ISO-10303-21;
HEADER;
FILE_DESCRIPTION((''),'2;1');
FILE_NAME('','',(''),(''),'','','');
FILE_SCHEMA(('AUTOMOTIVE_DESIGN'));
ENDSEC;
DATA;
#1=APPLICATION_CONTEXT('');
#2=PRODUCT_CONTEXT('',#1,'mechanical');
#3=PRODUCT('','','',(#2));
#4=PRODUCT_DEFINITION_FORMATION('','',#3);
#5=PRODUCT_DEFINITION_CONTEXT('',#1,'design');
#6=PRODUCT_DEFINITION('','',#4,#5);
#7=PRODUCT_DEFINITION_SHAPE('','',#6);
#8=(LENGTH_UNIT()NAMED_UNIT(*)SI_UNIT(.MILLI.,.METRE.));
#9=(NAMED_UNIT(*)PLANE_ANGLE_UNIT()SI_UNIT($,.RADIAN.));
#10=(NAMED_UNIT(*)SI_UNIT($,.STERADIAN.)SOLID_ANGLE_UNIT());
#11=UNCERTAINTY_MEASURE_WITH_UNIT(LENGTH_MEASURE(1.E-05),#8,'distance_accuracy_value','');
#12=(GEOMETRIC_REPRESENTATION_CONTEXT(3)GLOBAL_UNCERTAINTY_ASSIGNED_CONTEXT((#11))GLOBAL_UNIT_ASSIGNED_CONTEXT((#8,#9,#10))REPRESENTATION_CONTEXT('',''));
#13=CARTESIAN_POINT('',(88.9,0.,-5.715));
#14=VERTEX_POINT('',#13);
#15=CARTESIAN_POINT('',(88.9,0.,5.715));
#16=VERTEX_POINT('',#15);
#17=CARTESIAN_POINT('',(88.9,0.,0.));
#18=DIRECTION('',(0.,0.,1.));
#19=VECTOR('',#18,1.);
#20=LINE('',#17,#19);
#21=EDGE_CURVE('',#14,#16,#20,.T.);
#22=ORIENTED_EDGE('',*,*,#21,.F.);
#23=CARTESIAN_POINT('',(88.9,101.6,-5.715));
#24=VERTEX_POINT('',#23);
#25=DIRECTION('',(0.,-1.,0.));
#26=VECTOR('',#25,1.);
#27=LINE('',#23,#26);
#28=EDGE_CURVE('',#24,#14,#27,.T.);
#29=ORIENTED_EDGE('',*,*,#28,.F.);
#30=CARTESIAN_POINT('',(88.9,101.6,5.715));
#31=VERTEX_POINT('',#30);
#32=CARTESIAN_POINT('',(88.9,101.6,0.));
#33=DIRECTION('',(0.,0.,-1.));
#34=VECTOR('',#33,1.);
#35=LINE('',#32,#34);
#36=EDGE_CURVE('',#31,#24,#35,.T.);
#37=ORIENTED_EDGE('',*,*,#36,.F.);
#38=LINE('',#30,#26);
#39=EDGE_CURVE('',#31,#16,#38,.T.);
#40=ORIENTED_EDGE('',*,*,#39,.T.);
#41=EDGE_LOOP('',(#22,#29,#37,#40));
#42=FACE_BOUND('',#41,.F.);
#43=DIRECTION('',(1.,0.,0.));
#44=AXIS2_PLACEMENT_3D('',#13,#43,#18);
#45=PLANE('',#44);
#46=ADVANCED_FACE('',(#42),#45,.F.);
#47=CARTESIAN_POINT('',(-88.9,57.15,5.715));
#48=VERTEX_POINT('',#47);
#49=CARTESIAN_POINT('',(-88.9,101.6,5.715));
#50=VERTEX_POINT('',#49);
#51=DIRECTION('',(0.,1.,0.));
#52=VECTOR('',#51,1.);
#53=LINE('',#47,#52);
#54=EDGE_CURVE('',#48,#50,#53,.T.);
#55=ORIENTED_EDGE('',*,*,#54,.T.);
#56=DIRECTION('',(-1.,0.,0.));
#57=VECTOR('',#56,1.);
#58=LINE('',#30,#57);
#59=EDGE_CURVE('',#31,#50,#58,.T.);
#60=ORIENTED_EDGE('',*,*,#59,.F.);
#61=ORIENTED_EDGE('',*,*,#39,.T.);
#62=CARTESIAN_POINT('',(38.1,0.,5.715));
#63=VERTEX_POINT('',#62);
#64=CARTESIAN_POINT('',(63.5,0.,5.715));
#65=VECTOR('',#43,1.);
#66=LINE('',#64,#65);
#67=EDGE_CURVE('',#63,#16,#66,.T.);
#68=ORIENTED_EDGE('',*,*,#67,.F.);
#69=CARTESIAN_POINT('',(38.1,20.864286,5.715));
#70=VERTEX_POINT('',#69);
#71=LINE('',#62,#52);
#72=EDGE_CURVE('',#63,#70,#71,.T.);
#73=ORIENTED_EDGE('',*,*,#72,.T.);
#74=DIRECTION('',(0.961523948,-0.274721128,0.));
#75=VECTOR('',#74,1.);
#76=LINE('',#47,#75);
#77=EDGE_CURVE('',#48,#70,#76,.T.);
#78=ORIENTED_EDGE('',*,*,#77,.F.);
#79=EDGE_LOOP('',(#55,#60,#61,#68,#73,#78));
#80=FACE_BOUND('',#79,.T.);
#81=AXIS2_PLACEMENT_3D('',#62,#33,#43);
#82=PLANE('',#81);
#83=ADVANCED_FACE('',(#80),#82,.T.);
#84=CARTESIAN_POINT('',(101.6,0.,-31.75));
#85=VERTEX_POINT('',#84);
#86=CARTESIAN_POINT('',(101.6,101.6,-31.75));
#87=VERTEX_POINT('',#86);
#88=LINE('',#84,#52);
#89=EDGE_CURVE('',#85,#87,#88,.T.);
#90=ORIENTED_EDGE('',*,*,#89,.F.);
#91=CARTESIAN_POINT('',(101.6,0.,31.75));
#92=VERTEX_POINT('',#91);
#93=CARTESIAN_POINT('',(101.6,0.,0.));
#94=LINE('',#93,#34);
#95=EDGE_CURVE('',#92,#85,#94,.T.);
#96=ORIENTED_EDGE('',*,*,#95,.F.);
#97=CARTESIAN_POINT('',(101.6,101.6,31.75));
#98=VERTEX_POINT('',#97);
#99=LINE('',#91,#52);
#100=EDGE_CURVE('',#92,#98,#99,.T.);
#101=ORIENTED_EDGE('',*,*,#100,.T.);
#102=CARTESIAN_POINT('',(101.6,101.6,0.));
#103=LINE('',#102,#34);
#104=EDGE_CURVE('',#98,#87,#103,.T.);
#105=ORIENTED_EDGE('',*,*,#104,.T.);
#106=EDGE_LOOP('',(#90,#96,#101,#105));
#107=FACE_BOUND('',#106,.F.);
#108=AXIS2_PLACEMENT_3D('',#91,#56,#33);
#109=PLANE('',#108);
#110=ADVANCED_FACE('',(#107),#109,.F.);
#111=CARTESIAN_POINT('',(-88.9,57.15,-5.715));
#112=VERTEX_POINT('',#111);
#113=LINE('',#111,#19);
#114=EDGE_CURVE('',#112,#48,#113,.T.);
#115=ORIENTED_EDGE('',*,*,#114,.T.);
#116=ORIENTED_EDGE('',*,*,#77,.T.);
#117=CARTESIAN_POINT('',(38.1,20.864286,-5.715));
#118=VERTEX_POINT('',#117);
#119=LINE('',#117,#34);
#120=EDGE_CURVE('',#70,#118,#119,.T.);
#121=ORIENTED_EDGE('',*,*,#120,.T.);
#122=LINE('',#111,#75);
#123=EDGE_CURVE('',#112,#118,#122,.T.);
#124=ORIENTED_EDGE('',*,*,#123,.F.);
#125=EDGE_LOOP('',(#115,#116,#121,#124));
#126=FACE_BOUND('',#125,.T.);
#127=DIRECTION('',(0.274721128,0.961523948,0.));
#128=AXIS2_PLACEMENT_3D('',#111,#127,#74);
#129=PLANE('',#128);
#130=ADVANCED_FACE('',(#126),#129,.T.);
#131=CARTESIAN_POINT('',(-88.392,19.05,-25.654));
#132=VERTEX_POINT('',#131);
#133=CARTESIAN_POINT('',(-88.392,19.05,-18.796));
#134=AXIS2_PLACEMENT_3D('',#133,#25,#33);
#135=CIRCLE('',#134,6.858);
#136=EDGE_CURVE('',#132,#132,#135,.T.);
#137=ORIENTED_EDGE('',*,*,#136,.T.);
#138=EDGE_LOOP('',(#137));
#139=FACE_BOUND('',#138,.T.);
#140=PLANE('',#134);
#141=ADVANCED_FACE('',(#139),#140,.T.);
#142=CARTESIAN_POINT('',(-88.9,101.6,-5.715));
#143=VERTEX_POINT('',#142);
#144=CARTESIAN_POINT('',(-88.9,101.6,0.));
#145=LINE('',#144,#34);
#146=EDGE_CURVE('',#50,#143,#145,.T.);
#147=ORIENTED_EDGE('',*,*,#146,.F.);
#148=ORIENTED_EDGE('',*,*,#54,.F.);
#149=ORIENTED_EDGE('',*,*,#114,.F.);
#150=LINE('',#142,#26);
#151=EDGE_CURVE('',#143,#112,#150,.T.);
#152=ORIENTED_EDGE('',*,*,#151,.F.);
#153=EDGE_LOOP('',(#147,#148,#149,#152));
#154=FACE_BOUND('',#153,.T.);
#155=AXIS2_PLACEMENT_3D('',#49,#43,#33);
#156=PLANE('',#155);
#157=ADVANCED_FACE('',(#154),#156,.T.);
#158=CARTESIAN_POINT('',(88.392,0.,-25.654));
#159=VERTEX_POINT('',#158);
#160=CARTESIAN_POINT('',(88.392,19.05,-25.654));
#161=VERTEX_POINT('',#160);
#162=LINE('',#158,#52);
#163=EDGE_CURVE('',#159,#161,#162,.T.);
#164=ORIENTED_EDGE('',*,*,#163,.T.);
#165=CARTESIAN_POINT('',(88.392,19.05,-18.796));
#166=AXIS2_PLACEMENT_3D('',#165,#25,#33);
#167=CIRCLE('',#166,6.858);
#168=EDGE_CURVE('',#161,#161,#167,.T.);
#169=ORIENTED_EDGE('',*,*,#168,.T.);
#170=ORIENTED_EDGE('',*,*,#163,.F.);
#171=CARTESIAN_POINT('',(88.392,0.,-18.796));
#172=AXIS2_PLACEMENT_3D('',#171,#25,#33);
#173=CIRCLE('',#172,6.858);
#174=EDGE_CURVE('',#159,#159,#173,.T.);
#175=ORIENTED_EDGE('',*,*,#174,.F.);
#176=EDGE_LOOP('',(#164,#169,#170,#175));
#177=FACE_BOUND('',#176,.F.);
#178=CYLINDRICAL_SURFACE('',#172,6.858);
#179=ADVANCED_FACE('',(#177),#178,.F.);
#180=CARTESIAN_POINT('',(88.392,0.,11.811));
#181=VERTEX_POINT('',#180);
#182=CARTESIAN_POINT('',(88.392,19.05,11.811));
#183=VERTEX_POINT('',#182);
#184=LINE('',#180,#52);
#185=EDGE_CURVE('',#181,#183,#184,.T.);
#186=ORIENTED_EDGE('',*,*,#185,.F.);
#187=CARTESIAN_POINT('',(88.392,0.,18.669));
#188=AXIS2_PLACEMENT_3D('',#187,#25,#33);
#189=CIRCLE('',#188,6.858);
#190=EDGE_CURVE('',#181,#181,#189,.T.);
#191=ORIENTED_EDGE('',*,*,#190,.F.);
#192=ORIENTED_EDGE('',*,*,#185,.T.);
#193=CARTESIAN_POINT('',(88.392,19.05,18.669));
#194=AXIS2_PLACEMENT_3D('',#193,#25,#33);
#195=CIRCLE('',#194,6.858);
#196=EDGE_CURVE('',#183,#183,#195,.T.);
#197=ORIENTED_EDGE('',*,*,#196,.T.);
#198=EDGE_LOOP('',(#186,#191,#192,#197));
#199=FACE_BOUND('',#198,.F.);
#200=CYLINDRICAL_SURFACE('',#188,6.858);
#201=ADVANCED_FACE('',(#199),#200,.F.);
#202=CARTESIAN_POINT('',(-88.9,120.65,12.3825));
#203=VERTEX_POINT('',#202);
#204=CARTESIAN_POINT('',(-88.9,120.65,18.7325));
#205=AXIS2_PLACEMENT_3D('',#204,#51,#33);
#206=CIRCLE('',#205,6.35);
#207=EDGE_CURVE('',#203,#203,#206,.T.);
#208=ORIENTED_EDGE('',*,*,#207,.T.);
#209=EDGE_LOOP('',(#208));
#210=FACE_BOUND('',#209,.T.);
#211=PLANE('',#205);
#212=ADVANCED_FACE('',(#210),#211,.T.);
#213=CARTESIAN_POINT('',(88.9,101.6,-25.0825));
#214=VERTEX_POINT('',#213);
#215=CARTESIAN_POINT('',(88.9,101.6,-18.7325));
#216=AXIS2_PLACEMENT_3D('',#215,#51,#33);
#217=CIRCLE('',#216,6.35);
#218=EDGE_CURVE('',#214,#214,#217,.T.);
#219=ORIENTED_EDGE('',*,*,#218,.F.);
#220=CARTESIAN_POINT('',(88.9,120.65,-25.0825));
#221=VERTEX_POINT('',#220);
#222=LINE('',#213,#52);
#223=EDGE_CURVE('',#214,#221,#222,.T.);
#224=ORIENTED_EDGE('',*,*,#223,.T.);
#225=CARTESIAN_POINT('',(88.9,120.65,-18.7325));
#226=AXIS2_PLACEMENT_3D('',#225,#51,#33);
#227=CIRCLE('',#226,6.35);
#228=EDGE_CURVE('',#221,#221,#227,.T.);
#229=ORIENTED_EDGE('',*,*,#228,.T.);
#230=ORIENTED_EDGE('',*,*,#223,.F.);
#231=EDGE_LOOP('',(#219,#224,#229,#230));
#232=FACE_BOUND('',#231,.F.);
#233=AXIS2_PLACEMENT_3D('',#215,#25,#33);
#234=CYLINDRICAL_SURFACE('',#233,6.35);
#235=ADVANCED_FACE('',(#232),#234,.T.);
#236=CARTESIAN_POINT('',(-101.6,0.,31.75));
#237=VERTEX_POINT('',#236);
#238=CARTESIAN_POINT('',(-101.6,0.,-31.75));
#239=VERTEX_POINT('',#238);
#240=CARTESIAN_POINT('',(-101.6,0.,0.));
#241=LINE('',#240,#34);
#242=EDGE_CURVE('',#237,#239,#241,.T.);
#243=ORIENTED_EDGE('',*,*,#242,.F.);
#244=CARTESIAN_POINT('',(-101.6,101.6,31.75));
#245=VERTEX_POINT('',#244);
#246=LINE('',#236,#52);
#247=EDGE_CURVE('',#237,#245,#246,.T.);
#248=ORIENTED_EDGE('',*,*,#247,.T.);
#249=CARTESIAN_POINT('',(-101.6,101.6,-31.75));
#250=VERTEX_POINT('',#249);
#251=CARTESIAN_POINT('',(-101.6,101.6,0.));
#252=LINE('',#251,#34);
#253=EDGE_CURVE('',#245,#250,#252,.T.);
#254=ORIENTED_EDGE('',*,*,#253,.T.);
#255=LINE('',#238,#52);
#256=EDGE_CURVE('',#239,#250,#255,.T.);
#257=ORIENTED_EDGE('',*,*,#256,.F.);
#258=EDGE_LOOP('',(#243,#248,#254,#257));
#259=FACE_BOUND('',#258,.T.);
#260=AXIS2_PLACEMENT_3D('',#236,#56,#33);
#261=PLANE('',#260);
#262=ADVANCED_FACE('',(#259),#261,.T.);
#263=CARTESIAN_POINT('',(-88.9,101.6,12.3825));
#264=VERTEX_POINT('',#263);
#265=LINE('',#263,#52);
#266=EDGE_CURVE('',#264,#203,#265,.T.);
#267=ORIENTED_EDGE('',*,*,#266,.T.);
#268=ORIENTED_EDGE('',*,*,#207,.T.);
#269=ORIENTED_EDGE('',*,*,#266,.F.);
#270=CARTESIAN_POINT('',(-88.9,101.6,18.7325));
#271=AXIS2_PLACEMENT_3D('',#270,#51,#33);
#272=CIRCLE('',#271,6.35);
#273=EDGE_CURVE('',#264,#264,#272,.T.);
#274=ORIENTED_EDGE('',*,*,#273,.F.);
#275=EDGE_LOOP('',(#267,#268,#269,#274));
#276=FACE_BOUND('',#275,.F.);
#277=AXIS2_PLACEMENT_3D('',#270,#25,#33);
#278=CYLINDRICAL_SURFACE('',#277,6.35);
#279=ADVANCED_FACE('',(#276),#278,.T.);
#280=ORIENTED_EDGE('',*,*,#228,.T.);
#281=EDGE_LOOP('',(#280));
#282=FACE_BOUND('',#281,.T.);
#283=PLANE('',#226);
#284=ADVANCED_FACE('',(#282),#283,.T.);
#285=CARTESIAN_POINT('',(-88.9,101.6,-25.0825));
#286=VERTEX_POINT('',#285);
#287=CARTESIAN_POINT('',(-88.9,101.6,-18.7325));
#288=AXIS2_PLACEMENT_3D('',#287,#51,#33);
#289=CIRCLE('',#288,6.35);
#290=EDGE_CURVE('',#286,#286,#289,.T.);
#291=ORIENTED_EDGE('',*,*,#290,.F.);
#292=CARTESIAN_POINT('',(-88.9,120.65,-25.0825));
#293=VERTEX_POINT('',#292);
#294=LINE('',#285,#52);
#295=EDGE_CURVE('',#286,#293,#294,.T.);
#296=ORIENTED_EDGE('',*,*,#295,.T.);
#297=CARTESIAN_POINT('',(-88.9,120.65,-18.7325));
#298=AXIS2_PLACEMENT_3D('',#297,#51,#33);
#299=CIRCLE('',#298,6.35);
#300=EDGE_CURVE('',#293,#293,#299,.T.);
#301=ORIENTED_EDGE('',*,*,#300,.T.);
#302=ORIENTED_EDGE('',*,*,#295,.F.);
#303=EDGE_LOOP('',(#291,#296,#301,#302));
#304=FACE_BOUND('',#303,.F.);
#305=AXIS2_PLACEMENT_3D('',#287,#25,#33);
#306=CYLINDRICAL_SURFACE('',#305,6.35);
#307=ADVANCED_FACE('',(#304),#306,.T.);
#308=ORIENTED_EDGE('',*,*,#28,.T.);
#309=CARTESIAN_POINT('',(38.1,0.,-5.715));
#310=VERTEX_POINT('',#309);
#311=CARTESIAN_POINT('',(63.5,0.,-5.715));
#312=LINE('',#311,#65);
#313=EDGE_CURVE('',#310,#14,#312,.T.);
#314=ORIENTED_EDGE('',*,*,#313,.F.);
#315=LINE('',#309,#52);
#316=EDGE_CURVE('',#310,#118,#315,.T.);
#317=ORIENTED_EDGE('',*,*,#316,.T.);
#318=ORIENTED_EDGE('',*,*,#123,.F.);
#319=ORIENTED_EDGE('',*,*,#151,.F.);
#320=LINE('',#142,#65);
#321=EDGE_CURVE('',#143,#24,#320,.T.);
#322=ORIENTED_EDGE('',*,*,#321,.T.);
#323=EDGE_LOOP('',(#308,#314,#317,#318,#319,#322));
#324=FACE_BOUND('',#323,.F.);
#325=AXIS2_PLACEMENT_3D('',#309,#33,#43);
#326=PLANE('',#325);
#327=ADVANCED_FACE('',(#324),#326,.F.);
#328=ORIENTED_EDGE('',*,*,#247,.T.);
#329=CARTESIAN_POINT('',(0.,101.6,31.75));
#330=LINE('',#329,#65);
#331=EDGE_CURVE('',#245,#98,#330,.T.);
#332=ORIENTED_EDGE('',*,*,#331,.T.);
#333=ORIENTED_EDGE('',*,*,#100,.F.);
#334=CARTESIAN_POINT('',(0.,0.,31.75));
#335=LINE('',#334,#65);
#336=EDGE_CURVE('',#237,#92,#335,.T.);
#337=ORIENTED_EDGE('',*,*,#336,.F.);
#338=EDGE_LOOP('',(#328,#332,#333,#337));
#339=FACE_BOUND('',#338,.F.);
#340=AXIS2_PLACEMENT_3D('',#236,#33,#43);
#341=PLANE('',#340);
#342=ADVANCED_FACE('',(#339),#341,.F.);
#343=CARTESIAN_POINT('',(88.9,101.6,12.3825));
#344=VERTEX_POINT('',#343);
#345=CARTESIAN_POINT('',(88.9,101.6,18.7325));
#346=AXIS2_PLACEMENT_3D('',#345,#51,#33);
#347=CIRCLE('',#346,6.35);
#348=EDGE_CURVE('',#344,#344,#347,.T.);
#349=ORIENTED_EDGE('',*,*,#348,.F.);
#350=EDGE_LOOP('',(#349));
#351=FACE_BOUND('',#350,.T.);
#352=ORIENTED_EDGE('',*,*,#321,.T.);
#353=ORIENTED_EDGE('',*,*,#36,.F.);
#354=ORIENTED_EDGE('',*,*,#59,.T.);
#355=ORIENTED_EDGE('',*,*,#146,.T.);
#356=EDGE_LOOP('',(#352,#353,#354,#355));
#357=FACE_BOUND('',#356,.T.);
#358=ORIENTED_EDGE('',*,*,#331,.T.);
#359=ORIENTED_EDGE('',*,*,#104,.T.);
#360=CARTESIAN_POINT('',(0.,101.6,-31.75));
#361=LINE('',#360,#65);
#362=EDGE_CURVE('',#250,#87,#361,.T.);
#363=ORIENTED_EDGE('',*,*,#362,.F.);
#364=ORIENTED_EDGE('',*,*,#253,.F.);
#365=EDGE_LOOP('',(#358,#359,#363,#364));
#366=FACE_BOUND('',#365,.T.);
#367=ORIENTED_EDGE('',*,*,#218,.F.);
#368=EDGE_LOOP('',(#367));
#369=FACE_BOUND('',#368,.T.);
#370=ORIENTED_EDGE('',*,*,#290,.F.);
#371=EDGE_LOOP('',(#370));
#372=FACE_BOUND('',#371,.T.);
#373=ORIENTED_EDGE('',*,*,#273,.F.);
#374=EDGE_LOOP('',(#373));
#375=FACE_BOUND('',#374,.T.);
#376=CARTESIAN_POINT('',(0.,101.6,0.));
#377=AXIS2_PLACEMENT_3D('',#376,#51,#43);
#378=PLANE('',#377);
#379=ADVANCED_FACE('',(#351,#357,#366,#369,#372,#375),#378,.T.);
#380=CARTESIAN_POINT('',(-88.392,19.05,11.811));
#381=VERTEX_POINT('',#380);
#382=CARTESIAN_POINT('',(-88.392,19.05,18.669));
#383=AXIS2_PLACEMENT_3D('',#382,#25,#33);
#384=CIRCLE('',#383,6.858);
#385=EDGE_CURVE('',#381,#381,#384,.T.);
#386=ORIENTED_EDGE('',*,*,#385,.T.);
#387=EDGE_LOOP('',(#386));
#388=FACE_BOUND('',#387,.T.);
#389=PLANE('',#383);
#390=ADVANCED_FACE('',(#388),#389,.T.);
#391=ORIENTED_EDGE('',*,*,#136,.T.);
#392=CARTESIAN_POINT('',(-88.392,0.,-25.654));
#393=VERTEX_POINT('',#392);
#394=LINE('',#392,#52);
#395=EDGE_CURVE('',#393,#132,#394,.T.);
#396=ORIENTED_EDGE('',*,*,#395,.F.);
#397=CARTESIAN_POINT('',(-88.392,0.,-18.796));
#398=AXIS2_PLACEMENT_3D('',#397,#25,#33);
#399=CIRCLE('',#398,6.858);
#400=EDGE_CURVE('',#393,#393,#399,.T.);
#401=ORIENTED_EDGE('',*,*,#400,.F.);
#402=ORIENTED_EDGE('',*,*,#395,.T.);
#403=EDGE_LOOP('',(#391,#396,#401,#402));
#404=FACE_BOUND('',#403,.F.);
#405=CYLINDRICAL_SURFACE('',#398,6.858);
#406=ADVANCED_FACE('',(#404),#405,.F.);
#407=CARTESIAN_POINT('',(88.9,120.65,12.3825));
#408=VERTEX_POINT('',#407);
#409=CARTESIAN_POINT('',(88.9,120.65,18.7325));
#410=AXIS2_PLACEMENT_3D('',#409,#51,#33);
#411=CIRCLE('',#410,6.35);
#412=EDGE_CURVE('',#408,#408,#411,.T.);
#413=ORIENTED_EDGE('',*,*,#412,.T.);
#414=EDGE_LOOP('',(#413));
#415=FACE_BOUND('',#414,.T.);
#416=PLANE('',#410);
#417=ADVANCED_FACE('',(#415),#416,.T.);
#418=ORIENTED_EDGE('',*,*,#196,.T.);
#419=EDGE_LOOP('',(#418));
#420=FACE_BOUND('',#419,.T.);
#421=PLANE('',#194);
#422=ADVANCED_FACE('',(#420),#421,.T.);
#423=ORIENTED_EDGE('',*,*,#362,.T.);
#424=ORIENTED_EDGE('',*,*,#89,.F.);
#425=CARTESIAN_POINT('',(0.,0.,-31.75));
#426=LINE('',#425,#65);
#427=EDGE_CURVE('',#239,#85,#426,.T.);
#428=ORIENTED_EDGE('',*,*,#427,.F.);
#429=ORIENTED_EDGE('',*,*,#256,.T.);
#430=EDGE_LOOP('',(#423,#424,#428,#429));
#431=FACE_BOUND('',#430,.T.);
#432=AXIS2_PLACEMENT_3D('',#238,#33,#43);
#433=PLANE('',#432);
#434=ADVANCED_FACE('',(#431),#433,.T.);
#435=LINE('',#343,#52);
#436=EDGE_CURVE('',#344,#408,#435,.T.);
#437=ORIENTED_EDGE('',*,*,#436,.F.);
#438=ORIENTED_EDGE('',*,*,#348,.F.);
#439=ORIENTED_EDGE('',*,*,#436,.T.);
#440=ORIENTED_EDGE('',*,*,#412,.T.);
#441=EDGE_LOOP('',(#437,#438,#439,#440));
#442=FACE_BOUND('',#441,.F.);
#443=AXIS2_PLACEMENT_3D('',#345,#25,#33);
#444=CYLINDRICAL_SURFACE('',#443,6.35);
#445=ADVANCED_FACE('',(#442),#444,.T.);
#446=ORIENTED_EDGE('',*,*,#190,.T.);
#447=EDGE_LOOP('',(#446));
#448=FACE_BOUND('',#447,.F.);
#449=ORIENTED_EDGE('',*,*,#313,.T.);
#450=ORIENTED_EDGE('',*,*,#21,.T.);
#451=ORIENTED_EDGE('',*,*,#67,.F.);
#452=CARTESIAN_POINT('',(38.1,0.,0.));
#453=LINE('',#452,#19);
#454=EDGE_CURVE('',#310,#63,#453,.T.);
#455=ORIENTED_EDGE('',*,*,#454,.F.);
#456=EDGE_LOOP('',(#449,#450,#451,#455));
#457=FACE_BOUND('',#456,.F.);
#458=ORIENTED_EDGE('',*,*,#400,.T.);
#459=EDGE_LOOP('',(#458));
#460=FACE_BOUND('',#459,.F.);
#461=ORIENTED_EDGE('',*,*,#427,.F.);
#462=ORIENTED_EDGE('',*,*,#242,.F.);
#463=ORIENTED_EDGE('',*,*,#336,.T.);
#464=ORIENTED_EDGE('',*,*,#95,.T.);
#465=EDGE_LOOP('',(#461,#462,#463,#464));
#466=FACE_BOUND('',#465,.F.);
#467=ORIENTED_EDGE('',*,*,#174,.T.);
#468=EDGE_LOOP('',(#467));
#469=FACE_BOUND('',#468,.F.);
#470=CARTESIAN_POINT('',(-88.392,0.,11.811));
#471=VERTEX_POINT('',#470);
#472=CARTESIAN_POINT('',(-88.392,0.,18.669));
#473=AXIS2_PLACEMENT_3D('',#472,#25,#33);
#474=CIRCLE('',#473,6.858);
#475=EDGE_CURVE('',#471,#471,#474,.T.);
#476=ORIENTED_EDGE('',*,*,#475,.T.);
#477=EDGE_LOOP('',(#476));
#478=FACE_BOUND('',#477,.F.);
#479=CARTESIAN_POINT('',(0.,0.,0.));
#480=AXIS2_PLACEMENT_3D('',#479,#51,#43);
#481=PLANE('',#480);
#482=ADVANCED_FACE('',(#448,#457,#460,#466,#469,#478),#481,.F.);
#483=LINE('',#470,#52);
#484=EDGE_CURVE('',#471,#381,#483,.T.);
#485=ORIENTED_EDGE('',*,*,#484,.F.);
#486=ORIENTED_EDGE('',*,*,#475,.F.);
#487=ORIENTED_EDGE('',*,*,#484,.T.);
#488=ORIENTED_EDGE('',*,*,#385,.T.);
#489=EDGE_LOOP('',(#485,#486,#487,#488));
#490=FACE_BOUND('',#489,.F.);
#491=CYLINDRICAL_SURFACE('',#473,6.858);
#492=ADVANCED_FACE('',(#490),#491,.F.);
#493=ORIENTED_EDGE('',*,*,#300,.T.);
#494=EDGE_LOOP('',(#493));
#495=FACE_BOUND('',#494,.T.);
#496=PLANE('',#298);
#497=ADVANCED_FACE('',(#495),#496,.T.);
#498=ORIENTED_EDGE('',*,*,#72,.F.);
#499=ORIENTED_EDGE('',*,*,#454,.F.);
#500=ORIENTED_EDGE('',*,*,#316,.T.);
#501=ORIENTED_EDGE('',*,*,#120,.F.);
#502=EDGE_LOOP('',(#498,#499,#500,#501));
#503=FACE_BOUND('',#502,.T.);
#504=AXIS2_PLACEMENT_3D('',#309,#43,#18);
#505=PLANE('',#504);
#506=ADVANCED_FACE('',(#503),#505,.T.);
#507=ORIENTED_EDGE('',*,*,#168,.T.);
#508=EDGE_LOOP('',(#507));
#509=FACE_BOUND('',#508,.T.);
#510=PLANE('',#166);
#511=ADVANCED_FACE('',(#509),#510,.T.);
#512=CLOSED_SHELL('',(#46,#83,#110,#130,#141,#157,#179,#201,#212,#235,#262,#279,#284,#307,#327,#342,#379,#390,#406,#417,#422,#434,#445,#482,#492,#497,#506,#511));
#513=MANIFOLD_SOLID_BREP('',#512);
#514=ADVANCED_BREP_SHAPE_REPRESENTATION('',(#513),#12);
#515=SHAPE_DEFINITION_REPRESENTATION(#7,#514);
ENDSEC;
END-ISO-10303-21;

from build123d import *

# Parameters (mm, degrees)
SKETCH1_W           = 203.2
SKETCH1_H           = 63.5
BOSS_EXTRUDE1_DEPTH = 101.6
SKETCH3_W           = 177.8
SKETCH3_H           = 11.43
CUT_EXTRUDE1_DEPTH  = 6.35
CUT_EXTRUDE2_DEPTH  = 11.43
SKETCH5_R           = 6.35
BOSS_EXTRUDE2_DEPTH = 19.05
SKETCH6_R           = 6.858
CUT_EXTRUDE3_DEPTH  = 19.05
SKETCH7_W           = 50.8
SKETCH7_H           = 11.43
CUT_EXTRUDE4_DEPTH  = 161.894515133


with BuildPart() as part:
    # Sketch1 → Boss-Extrude1 (new body)
    with BuildSketch(Plane(origin=(0, 0, 0), x_dir=(1, 0, 0), z_dir=(0, 1, 0))):
        Rectangle(SKETCH1_W, SKETCH1_H)
    extrude(amount=BOSS_EXTRUDE1_DEPTH)

    # Sketch3 → Cut-Extrude1 (cut)
    with BuildSketch(Plane(origin=(0, 101.6, 0), x_dir=(1, 0, 0), z_dir=(0, 1, 0))):
        Rectangle(SKETCH3_W, SKETCH3_H)
    extrude(amount=-CUT_EXTRUDE1_DEPTH, mode=Mode.SUBTRACT)

    # Sketch4 → Cut-Extrude2 (cut)
    with BuildSketch(Plane.XY.offset(-5.715)):
        Polygon((-88.9, 101.6), (-88.9, 57.15), (88.9, 6.35), (88.9, 101.6), align=None)
    extrude(amount=CUT_EXTRUDE2_DEPTH, mode=Mode.SUBTRACT)

    # Sketch5 → Boss-Extrude2 (add)
    with BuildSketch(Plane(origin=(0, 101.6, 0), x_dir=(1, 0, 0), z_dir=(0, 1, 0))):
        with Locations(Location((88.9, -18.7325, 0), (0, 0, 90))):
            Circle(SKETCH5_R)
        with Locations(Location((-88.9, -18.7325, 0), (0, 0, 90))):
            Circle(SKETCH5_R)
        with Locations(Location((-88.9, 18.7325, 0), (0, 0, 90))):
            Circle(SKETCH5_R)
        with Locations(Location((88.9, 18.7325, 0), (0, 0, 90))):
            Circle(SKETCH5_R)
    extrude(amount=BOSS_EXTRUDE2_DEPTH)

    # Sketch6 → Cut-Extrude3 (cut)
    with BuildSketch(Plane.XZ):
        with Locations(Location((88.392, -18.796, 0), (0, 0, 270))):
            Circle(SKETCH6_R)
        with Locations(Location((-88.392, -18.796, 0), (0, 0, 270))):
            Circle(SKETCH6_R)
        with Locations(Location((-88.392, 18.669, 0), (0, 0, 270))):
            Circle(SKETCH6_R)
        with Locations(Location((88.392, 18.669, 0), (0, 0, 270))):
            Circle(SKETCH6_R)
    extrude(amount=-CUT_EXTRUDE3_DEPTH, mode=Mode.SUBTRACT)

    # Sketch7 → Cut-Extrude4 (cut, through all)
    with BuildSketch(Plane.XZ):
        with Locations((63.5, 0)):
            Rectangle(SKETCH7_W, SKETCH7_H)
    extrude(amount=-CUT_EXTRUDE4_DEPTH, mode=Mode.SUBTRACT)


solid = part.part
